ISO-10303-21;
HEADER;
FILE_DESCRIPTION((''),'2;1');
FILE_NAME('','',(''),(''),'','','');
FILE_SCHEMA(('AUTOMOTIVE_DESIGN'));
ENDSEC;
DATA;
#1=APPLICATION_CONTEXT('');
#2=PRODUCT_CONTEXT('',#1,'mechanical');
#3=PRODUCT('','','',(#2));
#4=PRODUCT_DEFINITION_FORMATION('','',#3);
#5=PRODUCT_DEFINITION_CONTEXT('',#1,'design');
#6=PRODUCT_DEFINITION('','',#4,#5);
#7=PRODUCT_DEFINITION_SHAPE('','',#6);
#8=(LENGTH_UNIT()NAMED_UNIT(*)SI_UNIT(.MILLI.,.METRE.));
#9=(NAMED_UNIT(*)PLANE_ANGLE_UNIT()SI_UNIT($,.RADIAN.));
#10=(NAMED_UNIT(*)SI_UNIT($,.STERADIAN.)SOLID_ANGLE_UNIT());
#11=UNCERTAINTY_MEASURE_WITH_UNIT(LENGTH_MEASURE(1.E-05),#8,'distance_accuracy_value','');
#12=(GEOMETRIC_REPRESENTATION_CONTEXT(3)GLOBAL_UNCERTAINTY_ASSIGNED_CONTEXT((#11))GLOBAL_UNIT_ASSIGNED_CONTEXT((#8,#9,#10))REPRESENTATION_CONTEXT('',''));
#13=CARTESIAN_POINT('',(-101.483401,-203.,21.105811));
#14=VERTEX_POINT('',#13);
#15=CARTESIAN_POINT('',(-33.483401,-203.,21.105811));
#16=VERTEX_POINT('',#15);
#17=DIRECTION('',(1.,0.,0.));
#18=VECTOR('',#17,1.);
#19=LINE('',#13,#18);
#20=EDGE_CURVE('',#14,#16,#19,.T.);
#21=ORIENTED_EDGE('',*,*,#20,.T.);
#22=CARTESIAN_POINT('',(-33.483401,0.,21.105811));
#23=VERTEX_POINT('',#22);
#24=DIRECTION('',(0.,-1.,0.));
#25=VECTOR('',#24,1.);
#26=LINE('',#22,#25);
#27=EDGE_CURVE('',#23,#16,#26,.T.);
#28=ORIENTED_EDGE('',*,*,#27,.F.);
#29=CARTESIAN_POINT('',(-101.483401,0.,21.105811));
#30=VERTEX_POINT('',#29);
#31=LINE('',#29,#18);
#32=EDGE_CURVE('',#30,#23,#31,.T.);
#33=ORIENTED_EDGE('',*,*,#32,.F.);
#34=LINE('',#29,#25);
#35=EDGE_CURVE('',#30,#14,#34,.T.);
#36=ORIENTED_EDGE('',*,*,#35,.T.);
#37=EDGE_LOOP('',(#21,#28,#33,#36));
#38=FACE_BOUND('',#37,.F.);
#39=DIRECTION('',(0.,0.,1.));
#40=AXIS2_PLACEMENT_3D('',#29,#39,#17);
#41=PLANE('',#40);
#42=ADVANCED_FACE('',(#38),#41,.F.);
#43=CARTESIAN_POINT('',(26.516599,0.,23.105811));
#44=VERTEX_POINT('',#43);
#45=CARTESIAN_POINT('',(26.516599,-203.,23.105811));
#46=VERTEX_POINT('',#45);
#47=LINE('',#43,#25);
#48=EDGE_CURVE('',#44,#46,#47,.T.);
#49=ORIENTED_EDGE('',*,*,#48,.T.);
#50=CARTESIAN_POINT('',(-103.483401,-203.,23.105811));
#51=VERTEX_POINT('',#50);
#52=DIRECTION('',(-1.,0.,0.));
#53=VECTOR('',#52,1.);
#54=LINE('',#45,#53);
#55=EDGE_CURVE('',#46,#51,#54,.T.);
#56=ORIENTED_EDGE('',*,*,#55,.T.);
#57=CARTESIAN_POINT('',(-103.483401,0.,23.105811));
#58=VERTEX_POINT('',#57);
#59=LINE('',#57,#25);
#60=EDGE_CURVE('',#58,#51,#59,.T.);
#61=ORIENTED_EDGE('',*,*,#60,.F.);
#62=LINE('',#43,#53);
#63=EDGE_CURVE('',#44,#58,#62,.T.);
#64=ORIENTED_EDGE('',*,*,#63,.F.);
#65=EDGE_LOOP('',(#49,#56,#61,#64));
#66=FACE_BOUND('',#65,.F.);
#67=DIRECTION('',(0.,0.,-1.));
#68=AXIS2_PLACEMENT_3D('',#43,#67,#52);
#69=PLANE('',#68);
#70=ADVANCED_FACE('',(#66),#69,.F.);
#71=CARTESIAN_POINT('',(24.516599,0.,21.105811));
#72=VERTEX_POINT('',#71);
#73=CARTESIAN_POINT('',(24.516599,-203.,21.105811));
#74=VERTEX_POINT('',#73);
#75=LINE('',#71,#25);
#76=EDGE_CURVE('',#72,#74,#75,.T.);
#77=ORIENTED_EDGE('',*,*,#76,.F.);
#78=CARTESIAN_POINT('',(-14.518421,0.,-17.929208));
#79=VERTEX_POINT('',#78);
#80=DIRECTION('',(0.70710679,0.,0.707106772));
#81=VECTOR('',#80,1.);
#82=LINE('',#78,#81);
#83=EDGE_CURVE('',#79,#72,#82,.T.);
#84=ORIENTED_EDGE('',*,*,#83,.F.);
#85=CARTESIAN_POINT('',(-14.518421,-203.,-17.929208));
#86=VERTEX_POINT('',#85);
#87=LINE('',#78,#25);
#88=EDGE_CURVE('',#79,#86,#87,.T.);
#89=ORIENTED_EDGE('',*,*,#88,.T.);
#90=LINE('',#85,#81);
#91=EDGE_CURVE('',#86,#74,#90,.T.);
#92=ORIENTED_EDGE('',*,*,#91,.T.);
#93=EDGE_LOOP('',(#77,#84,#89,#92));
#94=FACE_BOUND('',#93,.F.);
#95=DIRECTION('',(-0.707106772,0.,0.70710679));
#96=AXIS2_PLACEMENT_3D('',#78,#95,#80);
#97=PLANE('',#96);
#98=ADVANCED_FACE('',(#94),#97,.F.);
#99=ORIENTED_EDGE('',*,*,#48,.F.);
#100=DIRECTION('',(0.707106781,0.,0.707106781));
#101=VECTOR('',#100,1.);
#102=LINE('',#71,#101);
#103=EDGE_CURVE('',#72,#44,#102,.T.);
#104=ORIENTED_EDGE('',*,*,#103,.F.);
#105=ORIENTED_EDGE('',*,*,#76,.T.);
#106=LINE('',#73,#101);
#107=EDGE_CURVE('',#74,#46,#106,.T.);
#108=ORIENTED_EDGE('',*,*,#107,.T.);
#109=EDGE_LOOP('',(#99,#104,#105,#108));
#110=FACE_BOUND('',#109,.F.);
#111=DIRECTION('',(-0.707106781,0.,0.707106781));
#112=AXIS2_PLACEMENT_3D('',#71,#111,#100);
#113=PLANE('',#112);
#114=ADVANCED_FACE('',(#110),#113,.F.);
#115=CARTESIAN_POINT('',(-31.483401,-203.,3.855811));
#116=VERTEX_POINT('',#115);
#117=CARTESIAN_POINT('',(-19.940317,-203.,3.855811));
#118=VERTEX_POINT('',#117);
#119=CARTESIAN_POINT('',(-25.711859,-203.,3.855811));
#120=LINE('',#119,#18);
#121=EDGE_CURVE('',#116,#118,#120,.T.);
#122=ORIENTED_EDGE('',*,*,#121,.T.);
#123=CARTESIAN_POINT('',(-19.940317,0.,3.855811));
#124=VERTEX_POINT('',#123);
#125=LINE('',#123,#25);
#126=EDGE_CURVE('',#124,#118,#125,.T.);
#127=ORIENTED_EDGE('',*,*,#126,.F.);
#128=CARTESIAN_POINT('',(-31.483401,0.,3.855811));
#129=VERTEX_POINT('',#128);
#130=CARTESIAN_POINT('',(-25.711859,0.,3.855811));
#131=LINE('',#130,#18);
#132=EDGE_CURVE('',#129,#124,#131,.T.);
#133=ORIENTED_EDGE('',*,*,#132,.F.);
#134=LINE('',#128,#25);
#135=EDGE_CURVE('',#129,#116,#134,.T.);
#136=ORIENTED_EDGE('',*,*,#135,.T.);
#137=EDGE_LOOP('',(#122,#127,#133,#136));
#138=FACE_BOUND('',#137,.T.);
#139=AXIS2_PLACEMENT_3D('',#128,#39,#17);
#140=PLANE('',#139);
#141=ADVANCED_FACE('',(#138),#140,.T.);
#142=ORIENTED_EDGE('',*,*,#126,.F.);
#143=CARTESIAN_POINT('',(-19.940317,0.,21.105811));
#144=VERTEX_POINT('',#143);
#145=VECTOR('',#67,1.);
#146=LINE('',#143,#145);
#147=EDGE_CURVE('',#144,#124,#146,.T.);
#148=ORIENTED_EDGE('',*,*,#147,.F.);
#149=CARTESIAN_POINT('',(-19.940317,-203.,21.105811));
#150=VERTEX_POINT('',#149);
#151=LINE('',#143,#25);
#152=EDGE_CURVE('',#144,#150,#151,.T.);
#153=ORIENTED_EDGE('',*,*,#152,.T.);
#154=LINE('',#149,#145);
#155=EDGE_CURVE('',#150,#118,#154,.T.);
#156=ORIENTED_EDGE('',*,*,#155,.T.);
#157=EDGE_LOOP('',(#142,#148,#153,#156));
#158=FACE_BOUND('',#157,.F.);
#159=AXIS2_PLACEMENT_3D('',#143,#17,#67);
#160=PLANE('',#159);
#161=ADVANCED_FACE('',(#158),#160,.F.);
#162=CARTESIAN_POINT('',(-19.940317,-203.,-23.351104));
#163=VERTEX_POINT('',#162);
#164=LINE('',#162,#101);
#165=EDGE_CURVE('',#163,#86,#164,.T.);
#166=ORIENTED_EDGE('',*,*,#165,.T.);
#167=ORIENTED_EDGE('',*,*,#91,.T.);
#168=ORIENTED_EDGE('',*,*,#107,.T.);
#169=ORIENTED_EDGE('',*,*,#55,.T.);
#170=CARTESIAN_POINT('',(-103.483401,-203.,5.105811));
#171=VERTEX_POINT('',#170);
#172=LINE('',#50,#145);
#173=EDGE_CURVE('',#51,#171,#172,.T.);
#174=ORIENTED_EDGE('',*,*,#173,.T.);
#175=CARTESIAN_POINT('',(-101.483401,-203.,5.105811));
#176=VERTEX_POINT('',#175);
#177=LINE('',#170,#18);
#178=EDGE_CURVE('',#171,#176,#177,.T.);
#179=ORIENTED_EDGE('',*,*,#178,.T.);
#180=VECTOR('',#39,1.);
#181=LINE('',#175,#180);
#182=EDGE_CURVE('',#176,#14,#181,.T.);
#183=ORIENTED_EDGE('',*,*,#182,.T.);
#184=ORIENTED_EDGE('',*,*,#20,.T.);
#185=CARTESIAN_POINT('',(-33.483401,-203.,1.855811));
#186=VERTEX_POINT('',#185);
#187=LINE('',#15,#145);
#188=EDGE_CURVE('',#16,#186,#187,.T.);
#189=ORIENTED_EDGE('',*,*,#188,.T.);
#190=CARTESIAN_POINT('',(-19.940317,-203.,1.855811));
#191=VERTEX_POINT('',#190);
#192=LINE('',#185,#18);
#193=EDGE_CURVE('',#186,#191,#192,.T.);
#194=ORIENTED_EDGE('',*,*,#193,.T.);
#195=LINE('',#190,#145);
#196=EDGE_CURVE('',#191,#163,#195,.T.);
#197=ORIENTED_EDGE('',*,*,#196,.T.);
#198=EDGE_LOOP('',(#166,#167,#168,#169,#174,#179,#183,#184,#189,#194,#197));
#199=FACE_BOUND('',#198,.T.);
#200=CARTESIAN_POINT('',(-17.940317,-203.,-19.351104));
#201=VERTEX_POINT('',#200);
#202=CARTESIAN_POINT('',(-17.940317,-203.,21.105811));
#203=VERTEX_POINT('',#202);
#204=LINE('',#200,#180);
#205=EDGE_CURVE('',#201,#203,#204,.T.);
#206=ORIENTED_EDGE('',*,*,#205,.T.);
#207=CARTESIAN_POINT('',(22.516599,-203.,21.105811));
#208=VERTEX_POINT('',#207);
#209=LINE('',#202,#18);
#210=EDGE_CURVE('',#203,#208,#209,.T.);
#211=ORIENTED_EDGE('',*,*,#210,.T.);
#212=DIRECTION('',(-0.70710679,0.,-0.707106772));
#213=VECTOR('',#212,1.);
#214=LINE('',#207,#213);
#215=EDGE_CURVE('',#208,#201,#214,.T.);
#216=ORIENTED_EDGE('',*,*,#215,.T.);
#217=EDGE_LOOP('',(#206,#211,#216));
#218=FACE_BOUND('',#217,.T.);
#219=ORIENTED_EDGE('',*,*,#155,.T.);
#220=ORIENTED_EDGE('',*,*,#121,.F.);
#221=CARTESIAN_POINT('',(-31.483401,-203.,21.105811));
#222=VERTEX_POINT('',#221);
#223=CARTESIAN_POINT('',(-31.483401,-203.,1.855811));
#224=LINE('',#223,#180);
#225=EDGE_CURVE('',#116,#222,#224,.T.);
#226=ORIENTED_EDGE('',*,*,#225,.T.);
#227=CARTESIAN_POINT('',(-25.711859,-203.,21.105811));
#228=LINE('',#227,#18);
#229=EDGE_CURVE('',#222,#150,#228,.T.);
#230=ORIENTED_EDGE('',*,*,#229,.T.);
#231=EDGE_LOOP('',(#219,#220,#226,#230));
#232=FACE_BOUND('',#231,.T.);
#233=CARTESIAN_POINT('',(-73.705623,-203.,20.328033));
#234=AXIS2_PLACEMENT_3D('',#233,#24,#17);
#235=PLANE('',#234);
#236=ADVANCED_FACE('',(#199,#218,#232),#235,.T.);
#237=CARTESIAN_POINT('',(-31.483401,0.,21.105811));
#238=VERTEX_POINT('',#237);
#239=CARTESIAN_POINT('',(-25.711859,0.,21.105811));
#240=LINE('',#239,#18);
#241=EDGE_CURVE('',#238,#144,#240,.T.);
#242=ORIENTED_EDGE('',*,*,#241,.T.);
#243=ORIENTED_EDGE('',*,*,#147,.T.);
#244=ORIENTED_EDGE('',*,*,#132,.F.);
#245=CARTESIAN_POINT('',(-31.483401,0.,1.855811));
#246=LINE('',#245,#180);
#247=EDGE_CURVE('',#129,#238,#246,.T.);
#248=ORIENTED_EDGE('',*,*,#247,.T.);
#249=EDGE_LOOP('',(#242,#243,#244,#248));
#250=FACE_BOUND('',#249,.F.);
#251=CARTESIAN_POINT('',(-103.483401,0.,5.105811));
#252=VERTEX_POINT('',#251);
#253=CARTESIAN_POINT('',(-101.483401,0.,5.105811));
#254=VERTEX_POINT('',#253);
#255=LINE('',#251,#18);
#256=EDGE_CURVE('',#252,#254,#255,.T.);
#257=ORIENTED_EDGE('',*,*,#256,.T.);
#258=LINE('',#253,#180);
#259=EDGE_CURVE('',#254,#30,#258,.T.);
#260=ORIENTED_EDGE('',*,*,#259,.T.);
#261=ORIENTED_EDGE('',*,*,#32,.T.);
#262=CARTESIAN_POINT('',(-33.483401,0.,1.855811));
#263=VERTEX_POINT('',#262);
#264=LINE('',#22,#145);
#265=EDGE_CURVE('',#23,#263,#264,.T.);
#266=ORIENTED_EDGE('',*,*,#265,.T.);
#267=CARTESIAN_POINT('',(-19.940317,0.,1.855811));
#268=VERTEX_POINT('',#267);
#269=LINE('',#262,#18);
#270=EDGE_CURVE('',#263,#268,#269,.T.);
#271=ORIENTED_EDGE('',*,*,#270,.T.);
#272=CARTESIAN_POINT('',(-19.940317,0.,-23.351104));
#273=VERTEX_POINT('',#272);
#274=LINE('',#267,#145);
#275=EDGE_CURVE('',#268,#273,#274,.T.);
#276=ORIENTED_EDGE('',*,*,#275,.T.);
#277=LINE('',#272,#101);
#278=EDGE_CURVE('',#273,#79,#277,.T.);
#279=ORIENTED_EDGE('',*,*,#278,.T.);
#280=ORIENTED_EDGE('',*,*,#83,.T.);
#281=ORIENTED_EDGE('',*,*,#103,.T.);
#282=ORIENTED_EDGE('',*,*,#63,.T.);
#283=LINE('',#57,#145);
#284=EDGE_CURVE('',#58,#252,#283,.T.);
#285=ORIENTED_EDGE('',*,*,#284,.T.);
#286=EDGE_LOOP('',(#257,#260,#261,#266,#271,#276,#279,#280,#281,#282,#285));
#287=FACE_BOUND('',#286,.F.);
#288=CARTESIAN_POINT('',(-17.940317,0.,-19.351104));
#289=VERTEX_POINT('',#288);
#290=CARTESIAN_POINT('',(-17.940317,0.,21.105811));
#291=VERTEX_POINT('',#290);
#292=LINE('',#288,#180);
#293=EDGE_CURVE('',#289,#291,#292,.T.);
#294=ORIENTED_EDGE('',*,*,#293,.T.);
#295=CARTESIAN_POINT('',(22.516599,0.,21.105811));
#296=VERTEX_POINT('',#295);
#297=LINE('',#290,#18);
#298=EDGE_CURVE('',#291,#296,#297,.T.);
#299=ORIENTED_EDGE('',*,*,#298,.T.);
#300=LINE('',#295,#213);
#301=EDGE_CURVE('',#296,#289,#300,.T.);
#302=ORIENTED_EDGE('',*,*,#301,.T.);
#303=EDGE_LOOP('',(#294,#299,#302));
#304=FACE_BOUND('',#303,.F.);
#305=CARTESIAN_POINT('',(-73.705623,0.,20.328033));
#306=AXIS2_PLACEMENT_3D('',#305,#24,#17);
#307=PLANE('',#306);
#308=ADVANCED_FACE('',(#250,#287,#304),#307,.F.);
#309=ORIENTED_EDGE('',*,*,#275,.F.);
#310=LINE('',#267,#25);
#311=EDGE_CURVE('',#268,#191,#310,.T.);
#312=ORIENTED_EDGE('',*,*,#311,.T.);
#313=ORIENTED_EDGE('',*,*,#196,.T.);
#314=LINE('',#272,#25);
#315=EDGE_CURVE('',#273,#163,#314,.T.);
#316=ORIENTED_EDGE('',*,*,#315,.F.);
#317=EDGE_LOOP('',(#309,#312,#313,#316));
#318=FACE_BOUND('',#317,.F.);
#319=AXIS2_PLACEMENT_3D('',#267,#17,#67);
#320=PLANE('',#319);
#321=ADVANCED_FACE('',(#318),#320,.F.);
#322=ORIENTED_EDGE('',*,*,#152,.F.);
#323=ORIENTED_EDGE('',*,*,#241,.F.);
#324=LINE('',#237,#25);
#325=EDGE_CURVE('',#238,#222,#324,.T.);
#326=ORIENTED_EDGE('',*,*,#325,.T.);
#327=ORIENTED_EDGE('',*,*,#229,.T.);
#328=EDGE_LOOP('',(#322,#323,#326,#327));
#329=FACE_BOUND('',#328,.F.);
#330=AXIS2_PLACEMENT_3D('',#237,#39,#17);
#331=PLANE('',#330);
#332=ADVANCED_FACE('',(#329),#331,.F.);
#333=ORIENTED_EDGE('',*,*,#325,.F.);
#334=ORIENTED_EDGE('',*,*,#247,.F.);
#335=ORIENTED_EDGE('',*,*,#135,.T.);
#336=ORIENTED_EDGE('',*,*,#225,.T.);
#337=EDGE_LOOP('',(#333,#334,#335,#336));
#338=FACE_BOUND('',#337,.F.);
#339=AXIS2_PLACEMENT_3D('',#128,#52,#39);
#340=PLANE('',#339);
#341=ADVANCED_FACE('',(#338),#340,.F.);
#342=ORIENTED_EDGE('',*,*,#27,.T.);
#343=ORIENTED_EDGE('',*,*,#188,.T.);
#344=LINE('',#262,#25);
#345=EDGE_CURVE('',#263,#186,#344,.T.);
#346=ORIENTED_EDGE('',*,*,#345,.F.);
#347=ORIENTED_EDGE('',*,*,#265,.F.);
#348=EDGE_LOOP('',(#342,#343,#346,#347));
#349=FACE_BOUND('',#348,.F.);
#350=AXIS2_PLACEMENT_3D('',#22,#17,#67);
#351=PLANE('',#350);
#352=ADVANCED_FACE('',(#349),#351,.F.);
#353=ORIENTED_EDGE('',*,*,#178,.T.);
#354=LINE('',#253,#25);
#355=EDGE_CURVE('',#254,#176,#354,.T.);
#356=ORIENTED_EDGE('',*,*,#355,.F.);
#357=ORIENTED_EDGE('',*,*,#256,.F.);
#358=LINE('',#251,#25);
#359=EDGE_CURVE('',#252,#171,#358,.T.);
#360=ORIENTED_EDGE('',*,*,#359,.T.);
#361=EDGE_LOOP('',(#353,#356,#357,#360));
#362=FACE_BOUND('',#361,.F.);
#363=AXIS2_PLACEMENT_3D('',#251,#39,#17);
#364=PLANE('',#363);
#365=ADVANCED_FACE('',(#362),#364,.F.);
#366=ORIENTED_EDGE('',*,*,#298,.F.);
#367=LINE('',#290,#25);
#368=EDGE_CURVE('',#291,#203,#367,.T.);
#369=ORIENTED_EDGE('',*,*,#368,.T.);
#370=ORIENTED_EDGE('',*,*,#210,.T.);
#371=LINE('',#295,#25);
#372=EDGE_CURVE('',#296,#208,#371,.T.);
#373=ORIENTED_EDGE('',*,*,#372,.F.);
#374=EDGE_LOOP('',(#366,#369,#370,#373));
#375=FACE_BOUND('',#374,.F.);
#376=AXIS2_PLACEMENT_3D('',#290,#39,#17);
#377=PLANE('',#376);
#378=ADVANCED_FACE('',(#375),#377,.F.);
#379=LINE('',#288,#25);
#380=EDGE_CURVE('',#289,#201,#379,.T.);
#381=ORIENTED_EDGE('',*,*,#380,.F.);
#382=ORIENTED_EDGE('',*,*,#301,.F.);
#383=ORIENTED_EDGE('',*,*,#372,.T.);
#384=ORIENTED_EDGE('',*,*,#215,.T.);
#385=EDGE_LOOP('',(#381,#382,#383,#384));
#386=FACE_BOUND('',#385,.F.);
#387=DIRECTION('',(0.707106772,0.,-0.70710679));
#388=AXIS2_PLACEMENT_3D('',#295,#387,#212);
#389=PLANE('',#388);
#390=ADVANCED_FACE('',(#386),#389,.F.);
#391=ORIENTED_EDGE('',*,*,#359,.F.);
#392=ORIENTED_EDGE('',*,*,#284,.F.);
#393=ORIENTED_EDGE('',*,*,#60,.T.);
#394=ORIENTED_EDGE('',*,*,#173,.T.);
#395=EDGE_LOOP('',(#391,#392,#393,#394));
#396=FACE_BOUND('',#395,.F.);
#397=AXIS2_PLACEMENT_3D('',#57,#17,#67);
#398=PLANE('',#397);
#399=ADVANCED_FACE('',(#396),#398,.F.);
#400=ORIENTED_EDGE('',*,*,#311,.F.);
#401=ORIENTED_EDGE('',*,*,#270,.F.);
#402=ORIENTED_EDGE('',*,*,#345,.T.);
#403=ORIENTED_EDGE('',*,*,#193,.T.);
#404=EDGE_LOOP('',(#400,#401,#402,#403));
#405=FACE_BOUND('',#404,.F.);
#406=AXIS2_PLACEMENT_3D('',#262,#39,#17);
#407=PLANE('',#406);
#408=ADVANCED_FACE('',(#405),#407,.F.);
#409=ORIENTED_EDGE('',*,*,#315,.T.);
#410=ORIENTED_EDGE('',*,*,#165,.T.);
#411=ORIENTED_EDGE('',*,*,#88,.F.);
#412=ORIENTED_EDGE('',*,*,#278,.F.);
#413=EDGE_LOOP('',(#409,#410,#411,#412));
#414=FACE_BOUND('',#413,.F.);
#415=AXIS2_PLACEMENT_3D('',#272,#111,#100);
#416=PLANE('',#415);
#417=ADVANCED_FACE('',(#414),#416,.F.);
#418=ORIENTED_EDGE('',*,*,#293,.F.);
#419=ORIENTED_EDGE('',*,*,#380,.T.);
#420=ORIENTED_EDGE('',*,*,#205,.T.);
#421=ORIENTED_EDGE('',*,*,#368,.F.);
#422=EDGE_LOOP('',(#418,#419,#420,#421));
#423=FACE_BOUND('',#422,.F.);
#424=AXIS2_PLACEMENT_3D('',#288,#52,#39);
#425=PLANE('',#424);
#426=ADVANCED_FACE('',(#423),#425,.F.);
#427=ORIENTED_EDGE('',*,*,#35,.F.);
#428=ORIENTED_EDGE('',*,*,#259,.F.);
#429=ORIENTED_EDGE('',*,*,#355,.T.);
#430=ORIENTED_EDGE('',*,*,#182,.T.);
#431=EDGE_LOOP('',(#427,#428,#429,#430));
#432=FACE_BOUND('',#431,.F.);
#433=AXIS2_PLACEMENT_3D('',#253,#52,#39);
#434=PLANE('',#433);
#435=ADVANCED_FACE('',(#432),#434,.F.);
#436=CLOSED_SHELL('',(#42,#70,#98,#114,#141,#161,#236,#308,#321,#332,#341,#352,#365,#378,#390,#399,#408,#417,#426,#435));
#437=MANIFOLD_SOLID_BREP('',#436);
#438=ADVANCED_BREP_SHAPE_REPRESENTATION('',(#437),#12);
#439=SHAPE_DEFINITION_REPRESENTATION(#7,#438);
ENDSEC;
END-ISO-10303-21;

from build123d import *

# Parameters (mm, degrees)
F0_W     = 2
F0_H     = 17.25
F0_H_2   = 2
F0_W_2   = 11.543084
F1_DEPTH = 203


with BuildPart() as f1:
    # F0 (on Front) → F1 (new body)
    with BuildSketch(Plane.XZ):
        Polygon((-101.483401, 5.105811), (-101.483401, 21.105811), (-33.483401, 21.105811), (-31.483401, 21.105811), (-31.483401, 23.105811), (-103.483401, 23.105811), (-103.483401, 21.105811), (-103.483401, 5.105811), align=None)
        with Locations((-32.483401, 12.480811)):
            Rectangle(F0_W, F0_H)
        with Locations((-32.483401, 2.855811)):
            Rectangle(F0_W, F0_H_2)
        with Locations((-25.711859, 22.105811)):
            Rectangle(F0_W_2, F0_H_2)
        with Locations((-25.711859, 2.855811)):
            Rectangle(F0_W_2, F0_H_2)
        Polygon((-17.940317, 21.105811), (-19.940317, 21.105811), (-19.940317, 3.855811), (-19.940317, 1.855811), (-19.940317, -21.351104), (-17.940317, -19.351104), align=None)
        with Locations((-18.940317, 22.105811)):
            Rectangle(F0_W, F0_H_2)
        Polygon((-17.940317, 23.105811), (-17.940317, 21.105811), (22.516599, 21.105811), (24.516599, 23.105811), align=None)
        Polygon((22.516599, 21.105811), (-17.940317, -19.351104), (-19.940317, -21.351104), (-19.940317, -23.351104), (-14.518421, -17.929208), (24.516599, 21.105811), align=None)
        Polygon((24.516599, 23.105811), (22.516599, 21.105811), (24.516599, 21.105811), (26.516599, 23.105811), align=None)
    extrude(amount=F1_DEPTH)


solid = f1.part
